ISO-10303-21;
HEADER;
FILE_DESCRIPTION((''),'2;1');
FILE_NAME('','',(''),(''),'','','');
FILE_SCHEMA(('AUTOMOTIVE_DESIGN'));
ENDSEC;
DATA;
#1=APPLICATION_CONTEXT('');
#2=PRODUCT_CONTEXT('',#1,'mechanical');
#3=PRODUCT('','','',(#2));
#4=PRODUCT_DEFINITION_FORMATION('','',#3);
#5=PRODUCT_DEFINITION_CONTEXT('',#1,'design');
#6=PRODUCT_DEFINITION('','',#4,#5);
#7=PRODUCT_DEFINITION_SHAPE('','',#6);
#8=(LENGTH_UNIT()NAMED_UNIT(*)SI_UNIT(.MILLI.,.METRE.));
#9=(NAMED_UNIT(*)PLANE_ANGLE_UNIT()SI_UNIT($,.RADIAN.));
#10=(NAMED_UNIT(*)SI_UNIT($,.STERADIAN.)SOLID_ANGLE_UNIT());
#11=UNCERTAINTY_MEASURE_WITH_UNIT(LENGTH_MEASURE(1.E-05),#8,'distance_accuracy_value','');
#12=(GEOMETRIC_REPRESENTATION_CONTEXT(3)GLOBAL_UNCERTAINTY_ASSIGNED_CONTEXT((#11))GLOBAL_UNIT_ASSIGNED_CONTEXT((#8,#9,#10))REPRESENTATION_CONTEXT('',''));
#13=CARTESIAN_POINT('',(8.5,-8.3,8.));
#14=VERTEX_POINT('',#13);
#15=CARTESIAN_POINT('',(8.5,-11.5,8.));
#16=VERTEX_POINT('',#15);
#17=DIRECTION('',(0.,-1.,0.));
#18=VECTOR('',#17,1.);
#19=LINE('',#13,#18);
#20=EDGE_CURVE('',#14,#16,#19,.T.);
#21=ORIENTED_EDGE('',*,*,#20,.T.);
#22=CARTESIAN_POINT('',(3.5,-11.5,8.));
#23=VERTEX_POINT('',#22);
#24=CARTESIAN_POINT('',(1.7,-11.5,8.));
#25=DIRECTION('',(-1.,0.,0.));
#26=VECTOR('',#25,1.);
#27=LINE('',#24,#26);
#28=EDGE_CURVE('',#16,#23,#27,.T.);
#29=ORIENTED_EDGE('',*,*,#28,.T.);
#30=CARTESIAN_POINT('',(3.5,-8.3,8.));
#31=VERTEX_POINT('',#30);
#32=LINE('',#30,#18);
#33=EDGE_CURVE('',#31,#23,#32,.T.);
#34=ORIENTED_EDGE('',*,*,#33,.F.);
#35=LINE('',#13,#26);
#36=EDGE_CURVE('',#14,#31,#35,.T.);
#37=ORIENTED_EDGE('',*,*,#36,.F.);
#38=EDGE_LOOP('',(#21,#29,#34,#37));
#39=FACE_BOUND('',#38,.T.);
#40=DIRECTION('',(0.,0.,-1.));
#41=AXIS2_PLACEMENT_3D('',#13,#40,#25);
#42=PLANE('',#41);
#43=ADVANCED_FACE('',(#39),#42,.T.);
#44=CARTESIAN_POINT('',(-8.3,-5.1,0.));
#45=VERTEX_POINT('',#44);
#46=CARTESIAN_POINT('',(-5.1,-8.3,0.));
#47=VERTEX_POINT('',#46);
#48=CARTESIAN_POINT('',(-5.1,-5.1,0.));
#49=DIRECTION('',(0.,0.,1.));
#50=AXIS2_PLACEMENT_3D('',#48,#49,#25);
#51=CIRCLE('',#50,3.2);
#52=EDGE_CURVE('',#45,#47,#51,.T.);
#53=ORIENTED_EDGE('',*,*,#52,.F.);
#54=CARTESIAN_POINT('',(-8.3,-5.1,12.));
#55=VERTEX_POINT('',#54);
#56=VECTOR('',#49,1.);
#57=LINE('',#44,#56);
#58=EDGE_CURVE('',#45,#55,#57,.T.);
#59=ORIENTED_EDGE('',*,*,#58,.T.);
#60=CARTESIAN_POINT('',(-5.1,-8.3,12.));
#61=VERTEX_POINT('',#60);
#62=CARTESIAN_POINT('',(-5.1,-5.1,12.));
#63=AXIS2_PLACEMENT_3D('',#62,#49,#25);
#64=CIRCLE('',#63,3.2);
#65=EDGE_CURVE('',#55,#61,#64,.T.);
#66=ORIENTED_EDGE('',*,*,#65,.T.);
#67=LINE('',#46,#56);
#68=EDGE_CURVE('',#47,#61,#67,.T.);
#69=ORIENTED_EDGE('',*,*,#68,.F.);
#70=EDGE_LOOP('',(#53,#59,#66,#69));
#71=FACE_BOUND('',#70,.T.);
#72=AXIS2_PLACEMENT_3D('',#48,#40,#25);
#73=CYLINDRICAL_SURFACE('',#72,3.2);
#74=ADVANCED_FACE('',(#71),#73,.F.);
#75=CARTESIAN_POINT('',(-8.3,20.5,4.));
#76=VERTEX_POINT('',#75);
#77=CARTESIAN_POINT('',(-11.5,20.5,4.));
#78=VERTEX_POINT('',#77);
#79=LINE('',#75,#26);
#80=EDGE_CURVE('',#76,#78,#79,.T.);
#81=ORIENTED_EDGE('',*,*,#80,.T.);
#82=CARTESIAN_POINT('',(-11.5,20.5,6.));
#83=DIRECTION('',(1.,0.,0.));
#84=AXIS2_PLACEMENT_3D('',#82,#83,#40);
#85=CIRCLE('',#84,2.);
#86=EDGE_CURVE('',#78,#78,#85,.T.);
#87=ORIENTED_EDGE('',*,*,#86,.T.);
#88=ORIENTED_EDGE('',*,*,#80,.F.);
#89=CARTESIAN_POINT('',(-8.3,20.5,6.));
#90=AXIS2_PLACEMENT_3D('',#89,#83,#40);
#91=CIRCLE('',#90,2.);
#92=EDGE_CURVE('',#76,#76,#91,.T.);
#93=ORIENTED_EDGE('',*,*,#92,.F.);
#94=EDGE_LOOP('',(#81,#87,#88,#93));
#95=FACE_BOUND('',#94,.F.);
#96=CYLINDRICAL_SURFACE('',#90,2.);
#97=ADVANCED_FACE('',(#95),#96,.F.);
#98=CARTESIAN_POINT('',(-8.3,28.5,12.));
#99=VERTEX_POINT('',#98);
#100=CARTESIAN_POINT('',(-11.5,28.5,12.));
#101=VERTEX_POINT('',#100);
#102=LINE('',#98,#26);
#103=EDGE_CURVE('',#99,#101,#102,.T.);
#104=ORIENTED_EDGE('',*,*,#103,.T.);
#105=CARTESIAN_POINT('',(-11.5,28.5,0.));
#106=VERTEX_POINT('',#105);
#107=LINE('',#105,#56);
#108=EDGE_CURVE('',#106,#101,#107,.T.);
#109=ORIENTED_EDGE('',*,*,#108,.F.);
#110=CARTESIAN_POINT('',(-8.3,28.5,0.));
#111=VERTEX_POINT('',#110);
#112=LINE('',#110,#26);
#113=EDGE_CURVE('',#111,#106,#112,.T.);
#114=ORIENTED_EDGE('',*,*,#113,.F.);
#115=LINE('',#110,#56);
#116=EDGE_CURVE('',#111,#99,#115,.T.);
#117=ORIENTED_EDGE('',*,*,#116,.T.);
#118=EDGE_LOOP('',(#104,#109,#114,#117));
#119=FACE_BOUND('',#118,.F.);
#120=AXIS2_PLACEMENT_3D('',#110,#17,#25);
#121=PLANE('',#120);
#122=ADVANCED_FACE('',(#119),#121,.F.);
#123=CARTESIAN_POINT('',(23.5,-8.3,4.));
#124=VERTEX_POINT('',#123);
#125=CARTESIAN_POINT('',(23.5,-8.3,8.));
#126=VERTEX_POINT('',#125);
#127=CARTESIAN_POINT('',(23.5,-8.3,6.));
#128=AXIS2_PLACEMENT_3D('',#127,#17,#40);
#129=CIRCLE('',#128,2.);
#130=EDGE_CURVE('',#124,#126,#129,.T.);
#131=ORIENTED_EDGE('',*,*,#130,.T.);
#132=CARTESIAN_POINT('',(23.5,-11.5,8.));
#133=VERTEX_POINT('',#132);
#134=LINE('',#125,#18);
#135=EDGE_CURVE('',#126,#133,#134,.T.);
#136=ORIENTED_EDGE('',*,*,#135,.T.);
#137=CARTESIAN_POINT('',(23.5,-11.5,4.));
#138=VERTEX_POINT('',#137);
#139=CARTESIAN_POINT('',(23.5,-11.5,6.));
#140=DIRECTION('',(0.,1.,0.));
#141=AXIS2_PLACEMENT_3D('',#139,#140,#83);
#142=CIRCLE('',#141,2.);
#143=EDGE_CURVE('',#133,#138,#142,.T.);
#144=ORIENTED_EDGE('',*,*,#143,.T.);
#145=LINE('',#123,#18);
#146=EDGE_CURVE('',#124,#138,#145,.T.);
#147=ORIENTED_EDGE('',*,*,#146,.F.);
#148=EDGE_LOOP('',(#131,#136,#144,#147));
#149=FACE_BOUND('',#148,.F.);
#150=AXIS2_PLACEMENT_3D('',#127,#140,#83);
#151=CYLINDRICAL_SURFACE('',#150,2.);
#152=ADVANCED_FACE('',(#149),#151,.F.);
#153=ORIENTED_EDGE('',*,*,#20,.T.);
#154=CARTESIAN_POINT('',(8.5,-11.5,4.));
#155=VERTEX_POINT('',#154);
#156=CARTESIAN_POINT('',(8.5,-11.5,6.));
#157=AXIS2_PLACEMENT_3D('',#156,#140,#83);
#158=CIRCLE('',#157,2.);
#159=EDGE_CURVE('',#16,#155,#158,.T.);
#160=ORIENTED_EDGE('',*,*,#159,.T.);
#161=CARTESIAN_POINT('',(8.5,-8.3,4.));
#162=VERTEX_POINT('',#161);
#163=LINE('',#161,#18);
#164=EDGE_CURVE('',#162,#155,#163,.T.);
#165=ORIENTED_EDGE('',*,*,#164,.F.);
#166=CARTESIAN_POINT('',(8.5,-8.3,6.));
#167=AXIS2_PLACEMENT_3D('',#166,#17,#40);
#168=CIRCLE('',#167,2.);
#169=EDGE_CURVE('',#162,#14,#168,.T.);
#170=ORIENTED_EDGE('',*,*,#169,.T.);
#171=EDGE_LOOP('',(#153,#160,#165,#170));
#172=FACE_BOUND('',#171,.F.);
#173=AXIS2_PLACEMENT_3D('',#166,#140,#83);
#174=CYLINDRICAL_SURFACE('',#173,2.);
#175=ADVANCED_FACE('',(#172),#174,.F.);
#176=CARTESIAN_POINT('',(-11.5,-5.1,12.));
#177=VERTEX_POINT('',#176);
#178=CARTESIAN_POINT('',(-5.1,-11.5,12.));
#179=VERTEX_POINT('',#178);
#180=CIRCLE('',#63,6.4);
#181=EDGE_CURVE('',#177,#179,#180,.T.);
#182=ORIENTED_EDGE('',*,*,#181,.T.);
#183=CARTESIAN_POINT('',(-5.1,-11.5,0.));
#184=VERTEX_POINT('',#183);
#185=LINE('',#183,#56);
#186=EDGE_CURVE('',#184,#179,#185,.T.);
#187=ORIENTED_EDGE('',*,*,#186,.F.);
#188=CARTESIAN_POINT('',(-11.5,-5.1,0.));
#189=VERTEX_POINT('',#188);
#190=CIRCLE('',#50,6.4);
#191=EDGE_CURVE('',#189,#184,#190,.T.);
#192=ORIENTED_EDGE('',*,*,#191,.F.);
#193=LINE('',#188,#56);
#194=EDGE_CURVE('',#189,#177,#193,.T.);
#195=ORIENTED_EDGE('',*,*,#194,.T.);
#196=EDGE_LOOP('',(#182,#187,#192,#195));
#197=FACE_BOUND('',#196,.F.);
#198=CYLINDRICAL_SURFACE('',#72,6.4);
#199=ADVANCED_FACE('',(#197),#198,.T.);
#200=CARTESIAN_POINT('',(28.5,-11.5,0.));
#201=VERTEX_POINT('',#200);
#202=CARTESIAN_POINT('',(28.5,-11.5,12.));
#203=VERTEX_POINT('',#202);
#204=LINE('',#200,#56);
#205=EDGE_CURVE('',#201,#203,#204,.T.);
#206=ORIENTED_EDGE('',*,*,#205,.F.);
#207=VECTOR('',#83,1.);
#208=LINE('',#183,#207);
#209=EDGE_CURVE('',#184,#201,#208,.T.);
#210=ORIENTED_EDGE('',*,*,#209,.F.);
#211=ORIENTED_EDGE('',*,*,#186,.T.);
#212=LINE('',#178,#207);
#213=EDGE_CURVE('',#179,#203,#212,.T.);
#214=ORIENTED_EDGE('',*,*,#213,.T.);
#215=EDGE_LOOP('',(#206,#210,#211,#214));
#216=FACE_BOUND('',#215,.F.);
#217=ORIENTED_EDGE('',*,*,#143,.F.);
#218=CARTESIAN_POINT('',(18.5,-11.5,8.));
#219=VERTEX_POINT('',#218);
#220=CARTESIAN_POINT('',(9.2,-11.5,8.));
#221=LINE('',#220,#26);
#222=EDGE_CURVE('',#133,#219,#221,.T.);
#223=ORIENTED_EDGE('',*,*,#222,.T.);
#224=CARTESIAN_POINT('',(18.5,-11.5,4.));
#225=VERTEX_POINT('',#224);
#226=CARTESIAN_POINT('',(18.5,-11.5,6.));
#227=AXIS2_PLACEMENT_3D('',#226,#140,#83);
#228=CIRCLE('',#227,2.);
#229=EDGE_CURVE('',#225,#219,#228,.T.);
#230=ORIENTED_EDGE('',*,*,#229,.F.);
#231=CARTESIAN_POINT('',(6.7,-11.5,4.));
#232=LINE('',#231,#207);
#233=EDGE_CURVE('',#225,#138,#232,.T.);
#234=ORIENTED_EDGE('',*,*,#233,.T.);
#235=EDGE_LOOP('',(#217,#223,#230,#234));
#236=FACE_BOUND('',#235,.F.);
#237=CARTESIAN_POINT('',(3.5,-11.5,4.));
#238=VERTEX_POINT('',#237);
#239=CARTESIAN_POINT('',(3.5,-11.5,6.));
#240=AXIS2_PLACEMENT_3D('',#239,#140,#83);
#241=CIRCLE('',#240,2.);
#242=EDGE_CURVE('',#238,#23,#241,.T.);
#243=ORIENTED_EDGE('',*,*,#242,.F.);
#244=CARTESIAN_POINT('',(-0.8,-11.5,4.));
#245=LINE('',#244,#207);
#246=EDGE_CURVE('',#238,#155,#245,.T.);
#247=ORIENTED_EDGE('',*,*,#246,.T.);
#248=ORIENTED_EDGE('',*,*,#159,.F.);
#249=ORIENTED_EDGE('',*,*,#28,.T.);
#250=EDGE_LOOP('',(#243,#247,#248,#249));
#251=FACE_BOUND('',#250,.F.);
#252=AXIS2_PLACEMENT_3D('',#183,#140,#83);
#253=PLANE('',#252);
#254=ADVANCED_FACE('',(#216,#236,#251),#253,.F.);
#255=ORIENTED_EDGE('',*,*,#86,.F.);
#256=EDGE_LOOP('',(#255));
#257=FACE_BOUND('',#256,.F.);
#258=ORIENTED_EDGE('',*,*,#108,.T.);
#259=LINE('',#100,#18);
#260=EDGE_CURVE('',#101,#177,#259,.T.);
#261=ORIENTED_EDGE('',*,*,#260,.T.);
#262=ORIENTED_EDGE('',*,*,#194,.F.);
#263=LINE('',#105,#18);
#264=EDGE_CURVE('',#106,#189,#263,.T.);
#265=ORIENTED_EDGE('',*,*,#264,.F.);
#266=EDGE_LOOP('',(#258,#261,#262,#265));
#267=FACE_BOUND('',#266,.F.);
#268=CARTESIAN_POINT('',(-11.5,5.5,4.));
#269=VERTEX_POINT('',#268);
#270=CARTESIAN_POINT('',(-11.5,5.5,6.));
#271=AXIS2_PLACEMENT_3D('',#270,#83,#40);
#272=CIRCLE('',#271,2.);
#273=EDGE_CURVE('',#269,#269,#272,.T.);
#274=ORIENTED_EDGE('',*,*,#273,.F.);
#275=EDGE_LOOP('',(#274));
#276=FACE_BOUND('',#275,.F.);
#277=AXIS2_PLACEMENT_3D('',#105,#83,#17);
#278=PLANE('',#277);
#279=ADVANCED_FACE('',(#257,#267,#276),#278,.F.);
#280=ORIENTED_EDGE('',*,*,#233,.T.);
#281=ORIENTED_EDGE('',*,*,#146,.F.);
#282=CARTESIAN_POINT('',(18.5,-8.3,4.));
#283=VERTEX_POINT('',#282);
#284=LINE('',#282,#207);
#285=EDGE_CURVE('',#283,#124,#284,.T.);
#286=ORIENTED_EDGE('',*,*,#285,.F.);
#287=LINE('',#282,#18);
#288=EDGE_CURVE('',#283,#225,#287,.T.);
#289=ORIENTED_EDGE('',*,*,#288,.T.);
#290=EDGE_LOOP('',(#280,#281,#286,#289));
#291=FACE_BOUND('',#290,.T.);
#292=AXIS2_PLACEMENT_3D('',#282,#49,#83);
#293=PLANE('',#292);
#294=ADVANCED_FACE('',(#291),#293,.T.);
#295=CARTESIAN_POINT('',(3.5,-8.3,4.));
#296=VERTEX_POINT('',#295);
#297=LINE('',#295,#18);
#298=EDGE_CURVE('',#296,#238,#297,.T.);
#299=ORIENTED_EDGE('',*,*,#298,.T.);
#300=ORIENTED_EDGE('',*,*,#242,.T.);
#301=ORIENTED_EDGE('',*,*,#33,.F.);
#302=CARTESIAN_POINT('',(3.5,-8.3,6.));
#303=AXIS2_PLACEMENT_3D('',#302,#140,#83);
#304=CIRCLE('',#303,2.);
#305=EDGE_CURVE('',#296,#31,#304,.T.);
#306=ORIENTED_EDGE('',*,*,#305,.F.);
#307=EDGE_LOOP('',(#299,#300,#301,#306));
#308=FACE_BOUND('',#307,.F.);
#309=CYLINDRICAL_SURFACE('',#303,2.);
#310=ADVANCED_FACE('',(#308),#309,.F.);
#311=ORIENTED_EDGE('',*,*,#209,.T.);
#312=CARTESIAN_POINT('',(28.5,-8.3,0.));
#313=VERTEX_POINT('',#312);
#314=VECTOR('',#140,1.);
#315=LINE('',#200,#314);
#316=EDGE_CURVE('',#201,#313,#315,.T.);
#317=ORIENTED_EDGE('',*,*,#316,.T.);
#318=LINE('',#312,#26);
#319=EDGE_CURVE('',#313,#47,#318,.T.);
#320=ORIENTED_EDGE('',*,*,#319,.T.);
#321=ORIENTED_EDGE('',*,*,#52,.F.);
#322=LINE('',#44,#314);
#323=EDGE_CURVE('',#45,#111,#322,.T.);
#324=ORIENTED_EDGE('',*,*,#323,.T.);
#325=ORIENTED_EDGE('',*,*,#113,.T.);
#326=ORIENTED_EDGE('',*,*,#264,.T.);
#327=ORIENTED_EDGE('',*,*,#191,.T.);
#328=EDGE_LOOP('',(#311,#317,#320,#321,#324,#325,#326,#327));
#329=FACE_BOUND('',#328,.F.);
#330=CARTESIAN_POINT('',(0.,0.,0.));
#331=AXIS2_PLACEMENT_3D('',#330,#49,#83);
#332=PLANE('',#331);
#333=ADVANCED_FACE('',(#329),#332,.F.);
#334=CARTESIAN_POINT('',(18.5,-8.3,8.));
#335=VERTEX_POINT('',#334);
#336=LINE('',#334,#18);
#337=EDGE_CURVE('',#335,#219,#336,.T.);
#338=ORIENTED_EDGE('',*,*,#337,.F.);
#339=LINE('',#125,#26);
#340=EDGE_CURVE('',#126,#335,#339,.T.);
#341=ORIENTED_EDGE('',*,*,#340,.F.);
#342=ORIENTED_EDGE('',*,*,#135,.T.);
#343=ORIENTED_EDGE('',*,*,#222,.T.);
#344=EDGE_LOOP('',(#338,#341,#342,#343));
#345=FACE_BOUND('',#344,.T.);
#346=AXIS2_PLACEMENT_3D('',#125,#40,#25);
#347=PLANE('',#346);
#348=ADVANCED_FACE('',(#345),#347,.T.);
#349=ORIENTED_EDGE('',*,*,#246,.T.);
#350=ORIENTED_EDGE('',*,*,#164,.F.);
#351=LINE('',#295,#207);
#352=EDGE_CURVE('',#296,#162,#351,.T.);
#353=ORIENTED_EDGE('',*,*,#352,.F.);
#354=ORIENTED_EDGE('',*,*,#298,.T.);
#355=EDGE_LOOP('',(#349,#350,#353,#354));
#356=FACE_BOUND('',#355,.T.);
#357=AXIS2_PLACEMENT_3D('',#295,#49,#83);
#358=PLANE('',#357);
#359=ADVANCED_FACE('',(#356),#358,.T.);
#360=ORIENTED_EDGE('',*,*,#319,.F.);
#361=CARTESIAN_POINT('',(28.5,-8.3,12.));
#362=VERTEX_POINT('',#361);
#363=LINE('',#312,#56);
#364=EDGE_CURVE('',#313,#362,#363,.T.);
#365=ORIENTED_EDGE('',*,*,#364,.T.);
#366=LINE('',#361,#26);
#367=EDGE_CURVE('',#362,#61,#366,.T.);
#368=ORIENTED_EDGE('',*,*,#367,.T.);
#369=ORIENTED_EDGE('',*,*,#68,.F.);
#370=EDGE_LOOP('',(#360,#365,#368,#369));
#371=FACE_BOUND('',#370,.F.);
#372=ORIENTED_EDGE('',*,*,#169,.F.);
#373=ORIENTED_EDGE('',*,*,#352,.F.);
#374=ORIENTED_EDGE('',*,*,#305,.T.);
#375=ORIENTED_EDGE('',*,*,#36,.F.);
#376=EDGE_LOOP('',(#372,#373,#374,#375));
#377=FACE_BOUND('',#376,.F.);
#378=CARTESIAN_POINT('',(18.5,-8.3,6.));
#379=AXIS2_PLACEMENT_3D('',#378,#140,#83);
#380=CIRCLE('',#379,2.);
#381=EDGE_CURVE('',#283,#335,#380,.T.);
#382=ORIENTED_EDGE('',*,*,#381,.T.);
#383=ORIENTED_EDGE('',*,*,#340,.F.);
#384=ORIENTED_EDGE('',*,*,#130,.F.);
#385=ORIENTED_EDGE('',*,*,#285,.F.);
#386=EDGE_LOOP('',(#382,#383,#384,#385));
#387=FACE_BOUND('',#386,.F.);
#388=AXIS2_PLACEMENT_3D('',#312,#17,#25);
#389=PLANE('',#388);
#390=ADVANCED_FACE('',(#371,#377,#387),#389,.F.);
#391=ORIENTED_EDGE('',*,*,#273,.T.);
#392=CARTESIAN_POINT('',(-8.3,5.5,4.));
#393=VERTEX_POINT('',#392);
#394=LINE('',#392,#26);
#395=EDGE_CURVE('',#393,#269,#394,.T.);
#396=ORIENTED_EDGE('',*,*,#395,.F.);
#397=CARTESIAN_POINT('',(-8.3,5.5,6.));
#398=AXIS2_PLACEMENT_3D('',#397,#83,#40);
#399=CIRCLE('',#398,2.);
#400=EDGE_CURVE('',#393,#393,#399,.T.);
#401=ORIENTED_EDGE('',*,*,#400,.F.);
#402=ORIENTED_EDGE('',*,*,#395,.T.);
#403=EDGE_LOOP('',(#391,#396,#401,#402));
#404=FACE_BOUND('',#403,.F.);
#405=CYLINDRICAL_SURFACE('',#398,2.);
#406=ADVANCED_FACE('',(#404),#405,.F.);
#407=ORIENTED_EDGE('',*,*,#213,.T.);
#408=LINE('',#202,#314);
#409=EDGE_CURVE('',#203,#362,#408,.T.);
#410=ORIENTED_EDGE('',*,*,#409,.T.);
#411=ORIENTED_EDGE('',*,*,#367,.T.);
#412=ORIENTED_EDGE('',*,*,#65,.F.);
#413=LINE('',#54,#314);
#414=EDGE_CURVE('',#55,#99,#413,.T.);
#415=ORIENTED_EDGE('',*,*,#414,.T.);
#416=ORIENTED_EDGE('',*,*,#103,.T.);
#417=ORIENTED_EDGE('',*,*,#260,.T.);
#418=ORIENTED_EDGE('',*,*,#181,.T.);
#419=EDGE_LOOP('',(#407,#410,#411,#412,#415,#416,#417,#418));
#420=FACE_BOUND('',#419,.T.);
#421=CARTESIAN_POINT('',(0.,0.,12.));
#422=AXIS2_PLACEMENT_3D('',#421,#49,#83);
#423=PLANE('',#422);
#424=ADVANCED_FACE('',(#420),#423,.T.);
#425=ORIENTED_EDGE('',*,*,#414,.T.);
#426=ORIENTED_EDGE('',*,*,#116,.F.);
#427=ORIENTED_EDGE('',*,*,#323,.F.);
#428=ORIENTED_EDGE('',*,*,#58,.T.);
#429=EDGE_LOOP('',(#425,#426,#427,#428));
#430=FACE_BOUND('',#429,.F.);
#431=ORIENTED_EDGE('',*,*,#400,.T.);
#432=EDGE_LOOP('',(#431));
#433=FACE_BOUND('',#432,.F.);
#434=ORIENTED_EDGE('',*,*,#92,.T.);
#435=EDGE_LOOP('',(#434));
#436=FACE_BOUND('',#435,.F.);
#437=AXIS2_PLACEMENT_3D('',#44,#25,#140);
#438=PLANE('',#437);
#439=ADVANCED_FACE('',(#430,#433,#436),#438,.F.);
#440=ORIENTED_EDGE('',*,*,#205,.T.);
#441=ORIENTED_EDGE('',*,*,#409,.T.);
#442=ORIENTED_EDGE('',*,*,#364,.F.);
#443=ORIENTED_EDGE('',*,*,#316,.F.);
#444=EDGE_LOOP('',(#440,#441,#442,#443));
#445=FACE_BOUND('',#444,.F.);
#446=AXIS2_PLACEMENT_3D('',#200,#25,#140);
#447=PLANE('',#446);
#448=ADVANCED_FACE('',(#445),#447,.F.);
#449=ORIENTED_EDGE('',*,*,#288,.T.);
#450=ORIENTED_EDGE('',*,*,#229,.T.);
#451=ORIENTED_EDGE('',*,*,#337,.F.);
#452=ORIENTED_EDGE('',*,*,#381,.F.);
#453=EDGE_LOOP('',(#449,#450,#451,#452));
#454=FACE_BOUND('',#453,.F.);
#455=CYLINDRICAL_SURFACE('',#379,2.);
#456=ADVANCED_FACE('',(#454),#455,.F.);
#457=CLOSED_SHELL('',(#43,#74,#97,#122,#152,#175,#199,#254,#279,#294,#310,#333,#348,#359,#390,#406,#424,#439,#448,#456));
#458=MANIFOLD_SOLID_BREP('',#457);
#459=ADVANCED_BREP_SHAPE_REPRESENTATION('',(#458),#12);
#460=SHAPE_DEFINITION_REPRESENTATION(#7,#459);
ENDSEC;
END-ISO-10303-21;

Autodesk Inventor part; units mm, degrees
ref_plane "YZ Plane" through (0, 0, 0) normal (1, 0, 0) x (0, 1, 0)
ref_plane "Start plane" through (0, 0, 0) normal (0, 0, 1) x (1, 0, 0)
ref_plane "End plane" through (0, 0, 12) normal (0, 0, 1) x (1, 0, 0)
sketch "Sketch2" plane through (0, 0, 0) normal (0, 0, 1) x (1, 0, 0)
  line L0 (-8.3, 28.5) -> (-11.5, 28.5)
  line L1 (-8.3, -5.1) -> (-8.3, 28.5)
  line L2 (28.5, -8.3) -> (-5.1, -8.3)
  line L3 (28.5, -11.5) -> (28.5, -8.3)
  line L4 (-5.1, -11.5) -> (28.5, -11.5)
  line L5 (-11.5, 28.5) -> (-11.5, -5.1)
  arc A0 (-8.3, -5.1) -> (-5.1, -8.3) centre (-5.1, -5.1) ccw
  arc A1 (-11.5, -5.1) -> (-5.1, -11.5) centre (-5.1, -5.1) ccw
  line L6 (0, 72.2651) -> (0, -13.5906) construction
  line L7 (-13.5906, 0) -> (72.2651, 0) construction
  point P0 (-8.3, -8.3)
  point P1 (-11.5, -11.5)
  dimension "d1" = 3.2
  dimension "d3" = 3.2
  dimension "d5" = 40
  dimension "d7" = 40
  dimension "d12" = 3.2
  dimension "d13" = 6.4
  dimension "d16" = 11.5
  dimension "d17" = 11.5
extrude "Body" add sketch "Sketch2" along normal up to surface (12 mm away) from surface at 0
sketch "Sketch3" plane through (0, 0, 0) normal (0, 0, 1) x (1, 0, 0)
  line L0 (0, 0) -> (10, 0)
ref_plane "Work Plane4" through (0, 0, 0) normal (0, -1, 0) x (1, 0, 0)
sketch "Sketch4" plane through (0, 0, 0) normal (0, -1, 0) x (1, 0, 0)
  line L0 (-2, 0) -> (12, 0)
  line L1 (-2, 12) -> (12, 12)
  dimension "d21" = 12
sketch "Sketch5" plane through (-8.3, -5.1, 12) normal (1, 0, 0) x (0, 0, -1)
  circle A0 centre (6, 10.6) radius 2
  line L0 (12, 33.6) -> (0, 33.6) projected
  line L1 (6, 33.6) -> (6, -25.4884) construction
  circle A1 centre (6, 25.6) radius 2
  line L2 (12, 0) -> (0, 0) projected
  line L3 (0, 0) -> (22.22, 0) construction
  point P0 (12, 5.1)
  dimension "d22" = 4
  dimension "d25" = 15
  dimension "d30" = 8
extrude "Extrusion2" cut sketch "Sketch5" against normal through all
sketch "Sketch6" plane through (28.5, -8.3, 12) normal (0, 1, 0) x (1, 0, 0)
  circle A0 centre (-5, 6) radius 2
  line L0 (0, 12) -> (0, 0) projected
  line L1 (0, 6) -> (-67.1079, 6) construction
  circle A1 centre (-10, 6) radius 2
  line L2 (-5, 4) -> (-10, 4)
  line L3 (-10, 4) -> (-10, 8)
  line L4 (-10, 8) -> (-5, 8)
  line L5 (-5, 8) -> (-5, 4)
  line L6 (0, 12) -> (0, 0) projected
  line L7 (0, 0) -> (-33.6, 0) projected
  line L8 (-33.6, 0) -> (-33.6, 12) projected
  line L9 (-39.1426, 12) -> (-33.6, 12) projected
  line L10 (-39.1426, 0) -> (-39.1426, 12) projected
  line L11 (-33.6, 0) -> (-39.1426, 0) projected
  line L12 (-33.6, 12) -> (0, 12) projected
  circle A2 centre (-20, 6) radius 2
  circle A3 centre (-25, 6) radius 2
  line L13 (-20, 4) -> (-25, 4)
  line L14 (-25, 4) -> (-25, 8)
  line L15 (-25, 8) -> (-20, 8)
  line L16 (-20, 8) -> (-20, 4)
  point P0 (-28.5, 12)
  dimension "d33" = 4
  dimension "d36" = 5
  dimension "d43" = 15
  dimension "d48" = 5
extrude "Extrusion3" cut sketch "Sketch6" against normal through all contours A0 L5 | L5 A0 | A0 L2 A1 L4 | L3 A1 | A1 L3 | A2 L16 | L16 A2 | A2 L13 A3 L15 | L14 A3 | A3 L14
equation "\"d1\" = ParT"
equation "\"d3\" = ParT"
equation "\"d5\" = b"
equation "\"d7\" = ParH"
equation "\"d12\" = ParT"
equation "\"d13\" = 2 * ParT"
equation "\"d16\" = ex"
equation "\"d17\" = ey"
equation "\"d8\" = G_L"
equation "\"ParT\" = 3.2"
equation "\"b\" = 40"
equation "\"ParH\" = 40"
equation "\"G_L\" = d21"
equation "\"ex\" = 11.5"
equation "\"ey\" = 11.5"
equation "\"G_OFFSET_START\" = 0"
equation "\"G_OFFSET_END\" = 0"
equation "\"d19\" = G_OFFSET_END + B_L"
equation "\"B_L\" = 12"
properties part number "JIS G 3350C - 3075     40x40-12" material "Steel, Mild"
